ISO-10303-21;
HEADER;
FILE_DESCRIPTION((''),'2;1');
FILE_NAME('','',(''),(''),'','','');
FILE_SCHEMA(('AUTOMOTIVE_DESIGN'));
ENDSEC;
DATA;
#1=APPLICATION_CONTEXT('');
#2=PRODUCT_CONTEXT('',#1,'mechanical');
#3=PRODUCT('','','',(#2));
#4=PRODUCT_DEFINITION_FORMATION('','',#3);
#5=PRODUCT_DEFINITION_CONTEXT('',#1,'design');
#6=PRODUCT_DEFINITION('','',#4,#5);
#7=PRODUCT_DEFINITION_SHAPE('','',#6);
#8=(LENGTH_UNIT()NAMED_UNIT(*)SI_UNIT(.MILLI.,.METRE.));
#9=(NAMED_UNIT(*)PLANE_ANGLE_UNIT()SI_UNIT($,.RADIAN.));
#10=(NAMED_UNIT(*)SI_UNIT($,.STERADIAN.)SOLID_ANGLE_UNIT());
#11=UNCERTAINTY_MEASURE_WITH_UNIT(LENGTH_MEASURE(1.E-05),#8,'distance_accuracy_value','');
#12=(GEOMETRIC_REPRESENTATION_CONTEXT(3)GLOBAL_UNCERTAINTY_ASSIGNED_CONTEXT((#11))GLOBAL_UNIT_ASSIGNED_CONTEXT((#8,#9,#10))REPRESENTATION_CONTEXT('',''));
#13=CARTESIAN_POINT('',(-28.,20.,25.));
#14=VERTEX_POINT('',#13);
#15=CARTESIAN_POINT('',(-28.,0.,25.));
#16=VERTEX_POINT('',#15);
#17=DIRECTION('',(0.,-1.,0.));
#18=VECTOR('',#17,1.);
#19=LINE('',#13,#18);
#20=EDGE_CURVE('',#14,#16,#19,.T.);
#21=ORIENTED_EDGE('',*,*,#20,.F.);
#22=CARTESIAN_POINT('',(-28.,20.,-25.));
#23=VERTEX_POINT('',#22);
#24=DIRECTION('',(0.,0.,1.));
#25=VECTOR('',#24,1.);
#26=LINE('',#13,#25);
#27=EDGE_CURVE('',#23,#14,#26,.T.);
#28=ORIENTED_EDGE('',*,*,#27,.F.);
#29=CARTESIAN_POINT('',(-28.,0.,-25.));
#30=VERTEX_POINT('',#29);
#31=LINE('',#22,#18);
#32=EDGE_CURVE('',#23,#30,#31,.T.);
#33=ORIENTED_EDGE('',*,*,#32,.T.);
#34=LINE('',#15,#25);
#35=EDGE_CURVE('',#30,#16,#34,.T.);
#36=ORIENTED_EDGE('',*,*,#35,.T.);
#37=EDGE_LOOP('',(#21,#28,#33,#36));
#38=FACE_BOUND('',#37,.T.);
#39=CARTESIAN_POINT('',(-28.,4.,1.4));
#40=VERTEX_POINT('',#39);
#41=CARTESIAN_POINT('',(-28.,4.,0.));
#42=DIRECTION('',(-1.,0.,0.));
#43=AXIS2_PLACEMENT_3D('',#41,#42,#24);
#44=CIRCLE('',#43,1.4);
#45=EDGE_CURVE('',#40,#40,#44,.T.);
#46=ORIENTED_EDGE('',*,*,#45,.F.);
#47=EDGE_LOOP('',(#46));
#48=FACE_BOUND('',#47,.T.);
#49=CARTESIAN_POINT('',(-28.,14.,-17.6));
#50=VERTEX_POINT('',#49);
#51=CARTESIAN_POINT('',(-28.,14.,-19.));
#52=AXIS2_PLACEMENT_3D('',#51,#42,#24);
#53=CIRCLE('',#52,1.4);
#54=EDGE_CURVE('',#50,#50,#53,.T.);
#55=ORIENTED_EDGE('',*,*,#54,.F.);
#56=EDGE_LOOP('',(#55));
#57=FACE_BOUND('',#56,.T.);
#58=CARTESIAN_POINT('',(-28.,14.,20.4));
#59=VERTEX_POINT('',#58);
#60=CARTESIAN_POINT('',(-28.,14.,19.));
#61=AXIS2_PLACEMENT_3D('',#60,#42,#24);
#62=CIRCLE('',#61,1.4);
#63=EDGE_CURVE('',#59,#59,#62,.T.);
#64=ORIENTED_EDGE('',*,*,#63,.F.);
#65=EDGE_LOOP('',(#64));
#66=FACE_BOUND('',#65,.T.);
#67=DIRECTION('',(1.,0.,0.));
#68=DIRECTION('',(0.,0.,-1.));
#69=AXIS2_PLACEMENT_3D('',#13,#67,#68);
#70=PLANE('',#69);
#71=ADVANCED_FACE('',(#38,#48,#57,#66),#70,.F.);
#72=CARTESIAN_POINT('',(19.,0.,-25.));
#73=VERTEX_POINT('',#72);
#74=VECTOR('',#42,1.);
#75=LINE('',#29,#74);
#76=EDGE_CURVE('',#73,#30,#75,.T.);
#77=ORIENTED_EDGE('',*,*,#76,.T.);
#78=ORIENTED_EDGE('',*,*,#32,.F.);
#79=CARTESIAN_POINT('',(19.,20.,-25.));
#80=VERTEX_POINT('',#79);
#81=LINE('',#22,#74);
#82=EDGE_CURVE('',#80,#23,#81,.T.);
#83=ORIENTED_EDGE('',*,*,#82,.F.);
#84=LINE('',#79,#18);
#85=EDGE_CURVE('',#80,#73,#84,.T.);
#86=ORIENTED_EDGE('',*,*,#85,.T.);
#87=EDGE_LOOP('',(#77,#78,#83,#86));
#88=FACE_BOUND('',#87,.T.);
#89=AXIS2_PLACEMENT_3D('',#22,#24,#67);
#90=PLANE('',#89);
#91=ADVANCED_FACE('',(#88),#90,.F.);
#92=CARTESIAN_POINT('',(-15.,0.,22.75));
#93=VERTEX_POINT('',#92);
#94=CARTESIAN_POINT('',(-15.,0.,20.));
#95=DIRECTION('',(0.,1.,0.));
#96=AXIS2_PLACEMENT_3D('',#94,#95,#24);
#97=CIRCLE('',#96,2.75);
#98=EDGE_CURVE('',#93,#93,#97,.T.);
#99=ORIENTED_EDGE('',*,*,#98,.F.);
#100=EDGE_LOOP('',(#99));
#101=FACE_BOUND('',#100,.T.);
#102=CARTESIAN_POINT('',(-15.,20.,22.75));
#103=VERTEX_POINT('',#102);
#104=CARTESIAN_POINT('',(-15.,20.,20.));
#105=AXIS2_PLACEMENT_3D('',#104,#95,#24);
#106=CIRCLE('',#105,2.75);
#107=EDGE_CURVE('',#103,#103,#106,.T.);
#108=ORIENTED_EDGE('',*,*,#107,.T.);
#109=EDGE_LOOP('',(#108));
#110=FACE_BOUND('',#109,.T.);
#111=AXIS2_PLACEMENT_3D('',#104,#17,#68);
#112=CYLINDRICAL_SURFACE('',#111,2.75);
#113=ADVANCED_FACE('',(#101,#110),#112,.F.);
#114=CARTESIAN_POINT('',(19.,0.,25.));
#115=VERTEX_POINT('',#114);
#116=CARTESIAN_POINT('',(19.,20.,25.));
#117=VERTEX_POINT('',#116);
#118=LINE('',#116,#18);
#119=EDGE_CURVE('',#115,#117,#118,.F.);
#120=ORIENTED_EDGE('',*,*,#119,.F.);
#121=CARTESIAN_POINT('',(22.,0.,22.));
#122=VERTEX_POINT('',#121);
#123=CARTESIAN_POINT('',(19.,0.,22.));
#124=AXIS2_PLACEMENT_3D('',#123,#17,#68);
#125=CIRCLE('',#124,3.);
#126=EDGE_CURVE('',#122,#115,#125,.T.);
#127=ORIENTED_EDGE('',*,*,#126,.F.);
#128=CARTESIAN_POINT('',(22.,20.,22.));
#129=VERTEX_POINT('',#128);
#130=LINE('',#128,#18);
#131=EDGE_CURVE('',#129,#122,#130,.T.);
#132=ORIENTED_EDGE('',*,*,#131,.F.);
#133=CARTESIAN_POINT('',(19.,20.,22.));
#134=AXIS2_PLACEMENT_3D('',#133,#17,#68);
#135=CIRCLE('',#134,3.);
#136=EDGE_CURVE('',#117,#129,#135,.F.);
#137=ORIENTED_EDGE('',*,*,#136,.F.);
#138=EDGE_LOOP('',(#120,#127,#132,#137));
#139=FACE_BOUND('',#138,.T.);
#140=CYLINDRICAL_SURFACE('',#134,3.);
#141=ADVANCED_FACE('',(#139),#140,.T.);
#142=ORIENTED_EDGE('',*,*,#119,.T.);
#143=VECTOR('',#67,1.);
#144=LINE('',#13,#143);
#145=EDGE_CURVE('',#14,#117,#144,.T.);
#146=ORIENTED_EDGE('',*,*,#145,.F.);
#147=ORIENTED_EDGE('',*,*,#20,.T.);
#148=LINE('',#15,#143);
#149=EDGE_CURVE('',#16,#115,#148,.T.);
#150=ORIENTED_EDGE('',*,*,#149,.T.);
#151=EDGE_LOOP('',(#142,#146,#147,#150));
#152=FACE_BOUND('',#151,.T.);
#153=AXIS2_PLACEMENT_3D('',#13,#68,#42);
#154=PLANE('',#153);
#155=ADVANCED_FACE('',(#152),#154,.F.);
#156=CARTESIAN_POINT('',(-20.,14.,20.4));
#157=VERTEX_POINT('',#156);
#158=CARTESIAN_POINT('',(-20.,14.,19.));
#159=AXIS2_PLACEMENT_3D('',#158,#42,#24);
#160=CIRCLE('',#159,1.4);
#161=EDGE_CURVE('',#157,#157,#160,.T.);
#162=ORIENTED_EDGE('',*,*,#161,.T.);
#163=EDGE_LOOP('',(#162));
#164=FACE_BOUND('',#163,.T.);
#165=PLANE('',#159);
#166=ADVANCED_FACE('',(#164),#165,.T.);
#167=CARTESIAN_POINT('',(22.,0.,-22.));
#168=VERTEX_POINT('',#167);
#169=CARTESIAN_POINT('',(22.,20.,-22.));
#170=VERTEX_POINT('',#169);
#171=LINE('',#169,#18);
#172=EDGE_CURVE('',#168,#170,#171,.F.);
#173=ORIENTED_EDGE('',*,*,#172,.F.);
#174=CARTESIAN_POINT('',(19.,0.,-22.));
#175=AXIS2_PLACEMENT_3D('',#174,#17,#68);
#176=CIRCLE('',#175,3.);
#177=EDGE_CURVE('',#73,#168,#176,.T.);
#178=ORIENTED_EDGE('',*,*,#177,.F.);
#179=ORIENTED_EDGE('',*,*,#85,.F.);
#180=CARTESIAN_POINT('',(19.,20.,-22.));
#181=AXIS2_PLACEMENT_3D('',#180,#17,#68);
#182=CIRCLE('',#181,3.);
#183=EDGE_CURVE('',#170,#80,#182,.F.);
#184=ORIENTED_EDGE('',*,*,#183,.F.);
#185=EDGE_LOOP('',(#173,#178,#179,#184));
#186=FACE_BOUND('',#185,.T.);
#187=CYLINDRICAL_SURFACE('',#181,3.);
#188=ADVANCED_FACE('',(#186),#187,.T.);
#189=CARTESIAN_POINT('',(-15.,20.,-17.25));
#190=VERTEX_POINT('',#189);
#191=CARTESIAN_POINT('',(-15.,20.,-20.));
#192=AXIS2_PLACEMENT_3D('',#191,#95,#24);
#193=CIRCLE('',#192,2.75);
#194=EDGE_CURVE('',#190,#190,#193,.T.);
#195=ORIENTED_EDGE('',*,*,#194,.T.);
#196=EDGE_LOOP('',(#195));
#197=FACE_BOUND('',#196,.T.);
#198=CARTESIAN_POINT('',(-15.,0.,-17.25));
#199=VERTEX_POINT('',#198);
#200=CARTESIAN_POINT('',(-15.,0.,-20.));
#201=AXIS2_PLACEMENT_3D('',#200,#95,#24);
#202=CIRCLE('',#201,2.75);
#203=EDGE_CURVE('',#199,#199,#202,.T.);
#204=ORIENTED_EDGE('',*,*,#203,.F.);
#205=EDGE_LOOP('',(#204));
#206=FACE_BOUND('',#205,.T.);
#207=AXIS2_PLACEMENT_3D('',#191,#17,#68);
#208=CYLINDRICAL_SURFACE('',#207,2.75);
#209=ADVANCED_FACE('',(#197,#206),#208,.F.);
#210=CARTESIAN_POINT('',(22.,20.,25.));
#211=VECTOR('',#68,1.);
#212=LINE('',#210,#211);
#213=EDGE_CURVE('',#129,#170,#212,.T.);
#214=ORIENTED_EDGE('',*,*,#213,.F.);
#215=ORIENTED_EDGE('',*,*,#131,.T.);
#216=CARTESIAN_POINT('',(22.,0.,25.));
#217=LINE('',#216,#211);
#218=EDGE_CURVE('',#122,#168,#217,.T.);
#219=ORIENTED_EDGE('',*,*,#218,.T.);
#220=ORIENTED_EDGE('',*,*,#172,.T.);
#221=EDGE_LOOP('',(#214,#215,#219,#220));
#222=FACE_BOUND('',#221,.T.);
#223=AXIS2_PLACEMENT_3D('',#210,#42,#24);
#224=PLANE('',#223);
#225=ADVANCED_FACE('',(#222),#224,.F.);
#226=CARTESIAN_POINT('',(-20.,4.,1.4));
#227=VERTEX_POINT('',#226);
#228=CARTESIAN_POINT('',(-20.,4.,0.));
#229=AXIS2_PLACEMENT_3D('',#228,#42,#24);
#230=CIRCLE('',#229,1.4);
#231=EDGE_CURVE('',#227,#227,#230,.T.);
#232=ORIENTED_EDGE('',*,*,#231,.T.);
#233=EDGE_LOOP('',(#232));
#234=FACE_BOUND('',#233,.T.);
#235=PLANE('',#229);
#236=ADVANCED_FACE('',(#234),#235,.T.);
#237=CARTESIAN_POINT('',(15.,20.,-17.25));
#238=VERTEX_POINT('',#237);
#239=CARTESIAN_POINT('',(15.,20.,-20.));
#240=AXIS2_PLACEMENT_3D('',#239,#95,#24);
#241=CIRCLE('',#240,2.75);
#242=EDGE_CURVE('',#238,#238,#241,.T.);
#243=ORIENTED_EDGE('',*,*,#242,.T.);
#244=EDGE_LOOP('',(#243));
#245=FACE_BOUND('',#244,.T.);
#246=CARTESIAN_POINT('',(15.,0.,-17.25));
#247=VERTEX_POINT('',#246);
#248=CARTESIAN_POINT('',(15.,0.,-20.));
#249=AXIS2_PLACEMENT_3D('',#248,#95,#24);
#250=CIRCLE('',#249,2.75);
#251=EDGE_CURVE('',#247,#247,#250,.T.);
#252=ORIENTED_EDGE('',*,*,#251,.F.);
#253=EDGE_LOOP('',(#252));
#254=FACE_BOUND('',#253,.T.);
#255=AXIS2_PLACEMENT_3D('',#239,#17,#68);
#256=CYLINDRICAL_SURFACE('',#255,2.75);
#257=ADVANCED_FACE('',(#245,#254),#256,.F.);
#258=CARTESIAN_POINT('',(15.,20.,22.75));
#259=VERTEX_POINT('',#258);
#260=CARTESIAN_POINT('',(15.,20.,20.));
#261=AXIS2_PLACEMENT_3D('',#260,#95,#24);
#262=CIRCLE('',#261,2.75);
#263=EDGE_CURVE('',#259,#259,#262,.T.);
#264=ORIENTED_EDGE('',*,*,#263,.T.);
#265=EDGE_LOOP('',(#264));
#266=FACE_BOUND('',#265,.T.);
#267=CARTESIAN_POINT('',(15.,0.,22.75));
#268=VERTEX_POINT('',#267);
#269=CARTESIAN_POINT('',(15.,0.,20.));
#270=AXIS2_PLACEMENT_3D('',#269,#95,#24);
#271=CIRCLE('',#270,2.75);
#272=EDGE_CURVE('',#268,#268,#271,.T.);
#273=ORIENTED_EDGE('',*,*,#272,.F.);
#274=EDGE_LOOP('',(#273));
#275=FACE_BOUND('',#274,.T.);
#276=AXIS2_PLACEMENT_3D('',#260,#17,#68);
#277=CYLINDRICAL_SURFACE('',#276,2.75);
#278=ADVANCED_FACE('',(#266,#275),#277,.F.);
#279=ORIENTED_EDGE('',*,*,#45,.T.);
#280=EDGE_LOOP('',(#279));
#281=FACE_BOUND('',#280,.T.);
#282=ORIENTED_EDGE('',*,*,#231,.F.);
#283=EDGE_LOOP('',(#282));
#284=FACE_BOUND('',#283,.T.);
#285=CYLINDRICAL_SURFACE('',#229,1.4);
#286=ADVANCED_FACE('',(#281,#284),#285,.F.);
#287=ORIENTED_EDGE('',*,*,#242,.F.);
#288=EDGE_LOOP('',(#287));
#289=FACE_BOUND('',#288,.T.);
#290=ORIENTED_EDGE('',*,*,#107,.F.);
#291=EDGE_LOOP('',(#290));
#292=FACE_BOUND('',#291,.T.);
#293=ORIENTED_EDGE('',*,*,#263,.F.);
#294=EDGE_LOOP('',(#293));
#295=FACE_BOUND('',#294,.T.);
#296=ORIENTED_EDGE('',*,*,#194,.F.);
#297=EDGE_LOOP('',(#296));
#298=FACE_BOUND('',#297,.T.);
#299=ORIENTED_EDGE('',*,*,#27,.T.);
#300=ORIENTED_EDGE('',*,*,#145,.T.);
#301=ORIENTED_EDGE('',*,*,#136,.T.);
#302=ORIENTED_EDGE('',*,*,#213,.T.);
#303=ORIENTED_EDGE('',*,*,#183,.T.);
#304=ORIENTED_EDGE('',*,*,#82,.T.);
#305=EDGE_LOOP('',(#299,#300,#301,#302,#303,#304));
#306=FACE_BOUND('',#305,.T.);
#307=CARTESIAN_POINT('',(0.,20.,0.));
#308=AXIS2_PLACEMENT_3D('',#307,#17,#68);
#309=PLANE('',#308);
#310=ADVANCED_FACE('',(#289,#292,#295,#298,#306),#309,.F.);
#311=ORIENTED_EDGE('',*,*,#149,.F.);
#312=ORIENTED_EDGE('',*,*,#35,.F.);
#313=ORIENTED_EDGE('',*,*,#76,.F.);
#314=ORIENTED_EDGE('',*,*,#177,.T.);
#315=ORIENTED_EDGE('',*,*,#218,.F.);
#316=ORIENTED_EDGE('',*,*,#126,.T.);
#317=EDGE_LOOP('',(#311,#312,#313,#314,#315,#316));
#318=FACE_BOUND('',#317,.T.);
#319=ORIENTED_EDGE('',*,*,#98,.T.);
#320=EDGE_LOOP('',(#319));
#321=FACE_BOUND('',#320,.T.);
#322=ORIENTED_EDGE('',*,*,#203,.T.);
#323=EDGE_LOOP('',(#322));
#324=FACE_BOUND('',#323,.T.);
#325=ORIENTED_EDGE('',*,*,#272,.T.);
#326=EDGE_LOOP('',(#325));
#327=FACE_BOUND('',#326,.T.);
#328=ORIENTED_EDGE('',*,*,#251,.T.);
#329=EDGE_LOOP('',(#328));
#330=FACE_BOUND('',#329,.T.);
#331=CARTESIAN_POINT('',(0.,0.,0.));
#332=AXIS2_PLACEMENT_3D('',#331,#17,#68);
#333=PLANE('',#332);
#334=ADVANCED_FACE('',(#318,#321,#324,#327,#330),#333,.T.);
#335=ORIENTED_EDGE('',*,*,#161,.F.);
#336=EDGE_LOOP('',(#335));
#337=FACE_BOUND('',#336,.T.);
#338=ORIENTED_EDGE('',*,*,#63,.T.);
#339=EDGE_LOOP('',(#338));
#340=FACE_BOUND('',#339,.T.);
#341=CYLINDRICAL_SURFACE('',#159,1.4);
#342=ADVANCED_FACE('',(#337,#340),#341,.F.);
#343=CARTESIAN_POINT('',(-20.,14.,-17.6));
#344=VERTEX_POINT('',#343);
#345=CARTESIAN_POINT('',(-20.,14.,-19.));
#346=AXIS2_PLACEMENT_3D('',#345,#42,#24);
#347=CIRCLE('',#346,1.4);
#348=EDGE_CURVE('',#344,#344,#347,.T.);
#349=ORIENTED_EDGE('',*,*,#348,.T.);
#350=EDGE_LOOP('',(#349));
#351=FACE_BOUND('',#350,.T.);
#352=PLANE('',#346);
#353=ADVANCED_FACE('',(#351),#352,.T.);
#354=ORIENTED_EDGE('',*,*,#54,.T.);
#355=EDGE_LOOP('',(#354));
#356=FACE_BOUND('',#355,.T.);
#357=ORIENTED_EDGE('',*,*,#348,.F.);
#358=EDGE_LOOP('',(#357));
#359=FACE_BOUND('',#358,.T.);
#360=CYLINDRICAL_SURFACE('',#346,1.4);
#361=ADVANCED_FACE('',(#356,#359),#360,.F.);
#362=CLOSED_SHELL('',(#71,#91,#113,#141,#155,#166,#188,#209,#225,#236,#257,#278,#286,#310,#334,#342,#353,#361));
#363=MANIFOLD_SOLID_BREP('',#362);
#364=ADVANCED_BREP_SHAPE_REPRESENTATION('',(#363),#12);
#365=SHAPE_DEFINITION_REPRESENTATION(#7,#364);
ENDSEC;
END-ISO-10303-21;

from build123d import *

# Parameters (mm, degrees)
SKETCH1_W           = 50
SKETCH1_H           = 50
SKETCH1_R           = 2.75
BOSS_EXTRUDE1_DEPTH = 20
FILLET1_R           = 3
SKETCH2_R           = 1.4
CUT_EXTRUDE1_DEPTH  = 8


with BuildPart() as part:
    # Sketch1 → Boss-Extrude1 (new body)
    with BuildSketch(Plane(origin=(0, 0, 0), x_dir=(1, 0, 0), z_dir=(0, 1, 0))):
        with Locations((-3, 0)):
            Rectangle(SKETCH1_W, SKETCH1_H)
        with Locations((-15, 20)):
            Circle(SKETCH1_R, mode=Mode.SUBTRACT)
        with Locations((15, 20)):
            Circle(SKETCH1_R, mode=Mode.SUBTRACT)
        with Locations((-15, -20)):
            Circle(SKETCH1_R, mode=Mode.SUBTRACT)
        with Locations((15, -20)):
            Circle(SKETCH1_R, mode=Mode.SUBTRACT)
    extrude(amount=BOSS_EXTRUDE1_DEPTH)

    # Fillet1
    fillet1_edges = [part.edges().sort_by_distance(p)[0] for p in [
        (22, 10, -25),
        (22, 10, 25),
    ]]
    fillet(fillet1_edges, radius=FILLET1_R)

    # Sketch2 → Cut-Extrude1 (cut)
    with BuildSketch(Plane.ZY.offset(28)):
        with Locations((-19, 14)):
            Circle(SKETCH2_R)
        with Locations((0, 4)):
            Circle(SKETCH2_R)
        with Locations((19, 14)):
            Circle(SKETCH2_R)
    extrude(amount=-CUT_EXTRUDE1_DEPTH, mode=Mode.SUBTRACT)


solid = part.part
